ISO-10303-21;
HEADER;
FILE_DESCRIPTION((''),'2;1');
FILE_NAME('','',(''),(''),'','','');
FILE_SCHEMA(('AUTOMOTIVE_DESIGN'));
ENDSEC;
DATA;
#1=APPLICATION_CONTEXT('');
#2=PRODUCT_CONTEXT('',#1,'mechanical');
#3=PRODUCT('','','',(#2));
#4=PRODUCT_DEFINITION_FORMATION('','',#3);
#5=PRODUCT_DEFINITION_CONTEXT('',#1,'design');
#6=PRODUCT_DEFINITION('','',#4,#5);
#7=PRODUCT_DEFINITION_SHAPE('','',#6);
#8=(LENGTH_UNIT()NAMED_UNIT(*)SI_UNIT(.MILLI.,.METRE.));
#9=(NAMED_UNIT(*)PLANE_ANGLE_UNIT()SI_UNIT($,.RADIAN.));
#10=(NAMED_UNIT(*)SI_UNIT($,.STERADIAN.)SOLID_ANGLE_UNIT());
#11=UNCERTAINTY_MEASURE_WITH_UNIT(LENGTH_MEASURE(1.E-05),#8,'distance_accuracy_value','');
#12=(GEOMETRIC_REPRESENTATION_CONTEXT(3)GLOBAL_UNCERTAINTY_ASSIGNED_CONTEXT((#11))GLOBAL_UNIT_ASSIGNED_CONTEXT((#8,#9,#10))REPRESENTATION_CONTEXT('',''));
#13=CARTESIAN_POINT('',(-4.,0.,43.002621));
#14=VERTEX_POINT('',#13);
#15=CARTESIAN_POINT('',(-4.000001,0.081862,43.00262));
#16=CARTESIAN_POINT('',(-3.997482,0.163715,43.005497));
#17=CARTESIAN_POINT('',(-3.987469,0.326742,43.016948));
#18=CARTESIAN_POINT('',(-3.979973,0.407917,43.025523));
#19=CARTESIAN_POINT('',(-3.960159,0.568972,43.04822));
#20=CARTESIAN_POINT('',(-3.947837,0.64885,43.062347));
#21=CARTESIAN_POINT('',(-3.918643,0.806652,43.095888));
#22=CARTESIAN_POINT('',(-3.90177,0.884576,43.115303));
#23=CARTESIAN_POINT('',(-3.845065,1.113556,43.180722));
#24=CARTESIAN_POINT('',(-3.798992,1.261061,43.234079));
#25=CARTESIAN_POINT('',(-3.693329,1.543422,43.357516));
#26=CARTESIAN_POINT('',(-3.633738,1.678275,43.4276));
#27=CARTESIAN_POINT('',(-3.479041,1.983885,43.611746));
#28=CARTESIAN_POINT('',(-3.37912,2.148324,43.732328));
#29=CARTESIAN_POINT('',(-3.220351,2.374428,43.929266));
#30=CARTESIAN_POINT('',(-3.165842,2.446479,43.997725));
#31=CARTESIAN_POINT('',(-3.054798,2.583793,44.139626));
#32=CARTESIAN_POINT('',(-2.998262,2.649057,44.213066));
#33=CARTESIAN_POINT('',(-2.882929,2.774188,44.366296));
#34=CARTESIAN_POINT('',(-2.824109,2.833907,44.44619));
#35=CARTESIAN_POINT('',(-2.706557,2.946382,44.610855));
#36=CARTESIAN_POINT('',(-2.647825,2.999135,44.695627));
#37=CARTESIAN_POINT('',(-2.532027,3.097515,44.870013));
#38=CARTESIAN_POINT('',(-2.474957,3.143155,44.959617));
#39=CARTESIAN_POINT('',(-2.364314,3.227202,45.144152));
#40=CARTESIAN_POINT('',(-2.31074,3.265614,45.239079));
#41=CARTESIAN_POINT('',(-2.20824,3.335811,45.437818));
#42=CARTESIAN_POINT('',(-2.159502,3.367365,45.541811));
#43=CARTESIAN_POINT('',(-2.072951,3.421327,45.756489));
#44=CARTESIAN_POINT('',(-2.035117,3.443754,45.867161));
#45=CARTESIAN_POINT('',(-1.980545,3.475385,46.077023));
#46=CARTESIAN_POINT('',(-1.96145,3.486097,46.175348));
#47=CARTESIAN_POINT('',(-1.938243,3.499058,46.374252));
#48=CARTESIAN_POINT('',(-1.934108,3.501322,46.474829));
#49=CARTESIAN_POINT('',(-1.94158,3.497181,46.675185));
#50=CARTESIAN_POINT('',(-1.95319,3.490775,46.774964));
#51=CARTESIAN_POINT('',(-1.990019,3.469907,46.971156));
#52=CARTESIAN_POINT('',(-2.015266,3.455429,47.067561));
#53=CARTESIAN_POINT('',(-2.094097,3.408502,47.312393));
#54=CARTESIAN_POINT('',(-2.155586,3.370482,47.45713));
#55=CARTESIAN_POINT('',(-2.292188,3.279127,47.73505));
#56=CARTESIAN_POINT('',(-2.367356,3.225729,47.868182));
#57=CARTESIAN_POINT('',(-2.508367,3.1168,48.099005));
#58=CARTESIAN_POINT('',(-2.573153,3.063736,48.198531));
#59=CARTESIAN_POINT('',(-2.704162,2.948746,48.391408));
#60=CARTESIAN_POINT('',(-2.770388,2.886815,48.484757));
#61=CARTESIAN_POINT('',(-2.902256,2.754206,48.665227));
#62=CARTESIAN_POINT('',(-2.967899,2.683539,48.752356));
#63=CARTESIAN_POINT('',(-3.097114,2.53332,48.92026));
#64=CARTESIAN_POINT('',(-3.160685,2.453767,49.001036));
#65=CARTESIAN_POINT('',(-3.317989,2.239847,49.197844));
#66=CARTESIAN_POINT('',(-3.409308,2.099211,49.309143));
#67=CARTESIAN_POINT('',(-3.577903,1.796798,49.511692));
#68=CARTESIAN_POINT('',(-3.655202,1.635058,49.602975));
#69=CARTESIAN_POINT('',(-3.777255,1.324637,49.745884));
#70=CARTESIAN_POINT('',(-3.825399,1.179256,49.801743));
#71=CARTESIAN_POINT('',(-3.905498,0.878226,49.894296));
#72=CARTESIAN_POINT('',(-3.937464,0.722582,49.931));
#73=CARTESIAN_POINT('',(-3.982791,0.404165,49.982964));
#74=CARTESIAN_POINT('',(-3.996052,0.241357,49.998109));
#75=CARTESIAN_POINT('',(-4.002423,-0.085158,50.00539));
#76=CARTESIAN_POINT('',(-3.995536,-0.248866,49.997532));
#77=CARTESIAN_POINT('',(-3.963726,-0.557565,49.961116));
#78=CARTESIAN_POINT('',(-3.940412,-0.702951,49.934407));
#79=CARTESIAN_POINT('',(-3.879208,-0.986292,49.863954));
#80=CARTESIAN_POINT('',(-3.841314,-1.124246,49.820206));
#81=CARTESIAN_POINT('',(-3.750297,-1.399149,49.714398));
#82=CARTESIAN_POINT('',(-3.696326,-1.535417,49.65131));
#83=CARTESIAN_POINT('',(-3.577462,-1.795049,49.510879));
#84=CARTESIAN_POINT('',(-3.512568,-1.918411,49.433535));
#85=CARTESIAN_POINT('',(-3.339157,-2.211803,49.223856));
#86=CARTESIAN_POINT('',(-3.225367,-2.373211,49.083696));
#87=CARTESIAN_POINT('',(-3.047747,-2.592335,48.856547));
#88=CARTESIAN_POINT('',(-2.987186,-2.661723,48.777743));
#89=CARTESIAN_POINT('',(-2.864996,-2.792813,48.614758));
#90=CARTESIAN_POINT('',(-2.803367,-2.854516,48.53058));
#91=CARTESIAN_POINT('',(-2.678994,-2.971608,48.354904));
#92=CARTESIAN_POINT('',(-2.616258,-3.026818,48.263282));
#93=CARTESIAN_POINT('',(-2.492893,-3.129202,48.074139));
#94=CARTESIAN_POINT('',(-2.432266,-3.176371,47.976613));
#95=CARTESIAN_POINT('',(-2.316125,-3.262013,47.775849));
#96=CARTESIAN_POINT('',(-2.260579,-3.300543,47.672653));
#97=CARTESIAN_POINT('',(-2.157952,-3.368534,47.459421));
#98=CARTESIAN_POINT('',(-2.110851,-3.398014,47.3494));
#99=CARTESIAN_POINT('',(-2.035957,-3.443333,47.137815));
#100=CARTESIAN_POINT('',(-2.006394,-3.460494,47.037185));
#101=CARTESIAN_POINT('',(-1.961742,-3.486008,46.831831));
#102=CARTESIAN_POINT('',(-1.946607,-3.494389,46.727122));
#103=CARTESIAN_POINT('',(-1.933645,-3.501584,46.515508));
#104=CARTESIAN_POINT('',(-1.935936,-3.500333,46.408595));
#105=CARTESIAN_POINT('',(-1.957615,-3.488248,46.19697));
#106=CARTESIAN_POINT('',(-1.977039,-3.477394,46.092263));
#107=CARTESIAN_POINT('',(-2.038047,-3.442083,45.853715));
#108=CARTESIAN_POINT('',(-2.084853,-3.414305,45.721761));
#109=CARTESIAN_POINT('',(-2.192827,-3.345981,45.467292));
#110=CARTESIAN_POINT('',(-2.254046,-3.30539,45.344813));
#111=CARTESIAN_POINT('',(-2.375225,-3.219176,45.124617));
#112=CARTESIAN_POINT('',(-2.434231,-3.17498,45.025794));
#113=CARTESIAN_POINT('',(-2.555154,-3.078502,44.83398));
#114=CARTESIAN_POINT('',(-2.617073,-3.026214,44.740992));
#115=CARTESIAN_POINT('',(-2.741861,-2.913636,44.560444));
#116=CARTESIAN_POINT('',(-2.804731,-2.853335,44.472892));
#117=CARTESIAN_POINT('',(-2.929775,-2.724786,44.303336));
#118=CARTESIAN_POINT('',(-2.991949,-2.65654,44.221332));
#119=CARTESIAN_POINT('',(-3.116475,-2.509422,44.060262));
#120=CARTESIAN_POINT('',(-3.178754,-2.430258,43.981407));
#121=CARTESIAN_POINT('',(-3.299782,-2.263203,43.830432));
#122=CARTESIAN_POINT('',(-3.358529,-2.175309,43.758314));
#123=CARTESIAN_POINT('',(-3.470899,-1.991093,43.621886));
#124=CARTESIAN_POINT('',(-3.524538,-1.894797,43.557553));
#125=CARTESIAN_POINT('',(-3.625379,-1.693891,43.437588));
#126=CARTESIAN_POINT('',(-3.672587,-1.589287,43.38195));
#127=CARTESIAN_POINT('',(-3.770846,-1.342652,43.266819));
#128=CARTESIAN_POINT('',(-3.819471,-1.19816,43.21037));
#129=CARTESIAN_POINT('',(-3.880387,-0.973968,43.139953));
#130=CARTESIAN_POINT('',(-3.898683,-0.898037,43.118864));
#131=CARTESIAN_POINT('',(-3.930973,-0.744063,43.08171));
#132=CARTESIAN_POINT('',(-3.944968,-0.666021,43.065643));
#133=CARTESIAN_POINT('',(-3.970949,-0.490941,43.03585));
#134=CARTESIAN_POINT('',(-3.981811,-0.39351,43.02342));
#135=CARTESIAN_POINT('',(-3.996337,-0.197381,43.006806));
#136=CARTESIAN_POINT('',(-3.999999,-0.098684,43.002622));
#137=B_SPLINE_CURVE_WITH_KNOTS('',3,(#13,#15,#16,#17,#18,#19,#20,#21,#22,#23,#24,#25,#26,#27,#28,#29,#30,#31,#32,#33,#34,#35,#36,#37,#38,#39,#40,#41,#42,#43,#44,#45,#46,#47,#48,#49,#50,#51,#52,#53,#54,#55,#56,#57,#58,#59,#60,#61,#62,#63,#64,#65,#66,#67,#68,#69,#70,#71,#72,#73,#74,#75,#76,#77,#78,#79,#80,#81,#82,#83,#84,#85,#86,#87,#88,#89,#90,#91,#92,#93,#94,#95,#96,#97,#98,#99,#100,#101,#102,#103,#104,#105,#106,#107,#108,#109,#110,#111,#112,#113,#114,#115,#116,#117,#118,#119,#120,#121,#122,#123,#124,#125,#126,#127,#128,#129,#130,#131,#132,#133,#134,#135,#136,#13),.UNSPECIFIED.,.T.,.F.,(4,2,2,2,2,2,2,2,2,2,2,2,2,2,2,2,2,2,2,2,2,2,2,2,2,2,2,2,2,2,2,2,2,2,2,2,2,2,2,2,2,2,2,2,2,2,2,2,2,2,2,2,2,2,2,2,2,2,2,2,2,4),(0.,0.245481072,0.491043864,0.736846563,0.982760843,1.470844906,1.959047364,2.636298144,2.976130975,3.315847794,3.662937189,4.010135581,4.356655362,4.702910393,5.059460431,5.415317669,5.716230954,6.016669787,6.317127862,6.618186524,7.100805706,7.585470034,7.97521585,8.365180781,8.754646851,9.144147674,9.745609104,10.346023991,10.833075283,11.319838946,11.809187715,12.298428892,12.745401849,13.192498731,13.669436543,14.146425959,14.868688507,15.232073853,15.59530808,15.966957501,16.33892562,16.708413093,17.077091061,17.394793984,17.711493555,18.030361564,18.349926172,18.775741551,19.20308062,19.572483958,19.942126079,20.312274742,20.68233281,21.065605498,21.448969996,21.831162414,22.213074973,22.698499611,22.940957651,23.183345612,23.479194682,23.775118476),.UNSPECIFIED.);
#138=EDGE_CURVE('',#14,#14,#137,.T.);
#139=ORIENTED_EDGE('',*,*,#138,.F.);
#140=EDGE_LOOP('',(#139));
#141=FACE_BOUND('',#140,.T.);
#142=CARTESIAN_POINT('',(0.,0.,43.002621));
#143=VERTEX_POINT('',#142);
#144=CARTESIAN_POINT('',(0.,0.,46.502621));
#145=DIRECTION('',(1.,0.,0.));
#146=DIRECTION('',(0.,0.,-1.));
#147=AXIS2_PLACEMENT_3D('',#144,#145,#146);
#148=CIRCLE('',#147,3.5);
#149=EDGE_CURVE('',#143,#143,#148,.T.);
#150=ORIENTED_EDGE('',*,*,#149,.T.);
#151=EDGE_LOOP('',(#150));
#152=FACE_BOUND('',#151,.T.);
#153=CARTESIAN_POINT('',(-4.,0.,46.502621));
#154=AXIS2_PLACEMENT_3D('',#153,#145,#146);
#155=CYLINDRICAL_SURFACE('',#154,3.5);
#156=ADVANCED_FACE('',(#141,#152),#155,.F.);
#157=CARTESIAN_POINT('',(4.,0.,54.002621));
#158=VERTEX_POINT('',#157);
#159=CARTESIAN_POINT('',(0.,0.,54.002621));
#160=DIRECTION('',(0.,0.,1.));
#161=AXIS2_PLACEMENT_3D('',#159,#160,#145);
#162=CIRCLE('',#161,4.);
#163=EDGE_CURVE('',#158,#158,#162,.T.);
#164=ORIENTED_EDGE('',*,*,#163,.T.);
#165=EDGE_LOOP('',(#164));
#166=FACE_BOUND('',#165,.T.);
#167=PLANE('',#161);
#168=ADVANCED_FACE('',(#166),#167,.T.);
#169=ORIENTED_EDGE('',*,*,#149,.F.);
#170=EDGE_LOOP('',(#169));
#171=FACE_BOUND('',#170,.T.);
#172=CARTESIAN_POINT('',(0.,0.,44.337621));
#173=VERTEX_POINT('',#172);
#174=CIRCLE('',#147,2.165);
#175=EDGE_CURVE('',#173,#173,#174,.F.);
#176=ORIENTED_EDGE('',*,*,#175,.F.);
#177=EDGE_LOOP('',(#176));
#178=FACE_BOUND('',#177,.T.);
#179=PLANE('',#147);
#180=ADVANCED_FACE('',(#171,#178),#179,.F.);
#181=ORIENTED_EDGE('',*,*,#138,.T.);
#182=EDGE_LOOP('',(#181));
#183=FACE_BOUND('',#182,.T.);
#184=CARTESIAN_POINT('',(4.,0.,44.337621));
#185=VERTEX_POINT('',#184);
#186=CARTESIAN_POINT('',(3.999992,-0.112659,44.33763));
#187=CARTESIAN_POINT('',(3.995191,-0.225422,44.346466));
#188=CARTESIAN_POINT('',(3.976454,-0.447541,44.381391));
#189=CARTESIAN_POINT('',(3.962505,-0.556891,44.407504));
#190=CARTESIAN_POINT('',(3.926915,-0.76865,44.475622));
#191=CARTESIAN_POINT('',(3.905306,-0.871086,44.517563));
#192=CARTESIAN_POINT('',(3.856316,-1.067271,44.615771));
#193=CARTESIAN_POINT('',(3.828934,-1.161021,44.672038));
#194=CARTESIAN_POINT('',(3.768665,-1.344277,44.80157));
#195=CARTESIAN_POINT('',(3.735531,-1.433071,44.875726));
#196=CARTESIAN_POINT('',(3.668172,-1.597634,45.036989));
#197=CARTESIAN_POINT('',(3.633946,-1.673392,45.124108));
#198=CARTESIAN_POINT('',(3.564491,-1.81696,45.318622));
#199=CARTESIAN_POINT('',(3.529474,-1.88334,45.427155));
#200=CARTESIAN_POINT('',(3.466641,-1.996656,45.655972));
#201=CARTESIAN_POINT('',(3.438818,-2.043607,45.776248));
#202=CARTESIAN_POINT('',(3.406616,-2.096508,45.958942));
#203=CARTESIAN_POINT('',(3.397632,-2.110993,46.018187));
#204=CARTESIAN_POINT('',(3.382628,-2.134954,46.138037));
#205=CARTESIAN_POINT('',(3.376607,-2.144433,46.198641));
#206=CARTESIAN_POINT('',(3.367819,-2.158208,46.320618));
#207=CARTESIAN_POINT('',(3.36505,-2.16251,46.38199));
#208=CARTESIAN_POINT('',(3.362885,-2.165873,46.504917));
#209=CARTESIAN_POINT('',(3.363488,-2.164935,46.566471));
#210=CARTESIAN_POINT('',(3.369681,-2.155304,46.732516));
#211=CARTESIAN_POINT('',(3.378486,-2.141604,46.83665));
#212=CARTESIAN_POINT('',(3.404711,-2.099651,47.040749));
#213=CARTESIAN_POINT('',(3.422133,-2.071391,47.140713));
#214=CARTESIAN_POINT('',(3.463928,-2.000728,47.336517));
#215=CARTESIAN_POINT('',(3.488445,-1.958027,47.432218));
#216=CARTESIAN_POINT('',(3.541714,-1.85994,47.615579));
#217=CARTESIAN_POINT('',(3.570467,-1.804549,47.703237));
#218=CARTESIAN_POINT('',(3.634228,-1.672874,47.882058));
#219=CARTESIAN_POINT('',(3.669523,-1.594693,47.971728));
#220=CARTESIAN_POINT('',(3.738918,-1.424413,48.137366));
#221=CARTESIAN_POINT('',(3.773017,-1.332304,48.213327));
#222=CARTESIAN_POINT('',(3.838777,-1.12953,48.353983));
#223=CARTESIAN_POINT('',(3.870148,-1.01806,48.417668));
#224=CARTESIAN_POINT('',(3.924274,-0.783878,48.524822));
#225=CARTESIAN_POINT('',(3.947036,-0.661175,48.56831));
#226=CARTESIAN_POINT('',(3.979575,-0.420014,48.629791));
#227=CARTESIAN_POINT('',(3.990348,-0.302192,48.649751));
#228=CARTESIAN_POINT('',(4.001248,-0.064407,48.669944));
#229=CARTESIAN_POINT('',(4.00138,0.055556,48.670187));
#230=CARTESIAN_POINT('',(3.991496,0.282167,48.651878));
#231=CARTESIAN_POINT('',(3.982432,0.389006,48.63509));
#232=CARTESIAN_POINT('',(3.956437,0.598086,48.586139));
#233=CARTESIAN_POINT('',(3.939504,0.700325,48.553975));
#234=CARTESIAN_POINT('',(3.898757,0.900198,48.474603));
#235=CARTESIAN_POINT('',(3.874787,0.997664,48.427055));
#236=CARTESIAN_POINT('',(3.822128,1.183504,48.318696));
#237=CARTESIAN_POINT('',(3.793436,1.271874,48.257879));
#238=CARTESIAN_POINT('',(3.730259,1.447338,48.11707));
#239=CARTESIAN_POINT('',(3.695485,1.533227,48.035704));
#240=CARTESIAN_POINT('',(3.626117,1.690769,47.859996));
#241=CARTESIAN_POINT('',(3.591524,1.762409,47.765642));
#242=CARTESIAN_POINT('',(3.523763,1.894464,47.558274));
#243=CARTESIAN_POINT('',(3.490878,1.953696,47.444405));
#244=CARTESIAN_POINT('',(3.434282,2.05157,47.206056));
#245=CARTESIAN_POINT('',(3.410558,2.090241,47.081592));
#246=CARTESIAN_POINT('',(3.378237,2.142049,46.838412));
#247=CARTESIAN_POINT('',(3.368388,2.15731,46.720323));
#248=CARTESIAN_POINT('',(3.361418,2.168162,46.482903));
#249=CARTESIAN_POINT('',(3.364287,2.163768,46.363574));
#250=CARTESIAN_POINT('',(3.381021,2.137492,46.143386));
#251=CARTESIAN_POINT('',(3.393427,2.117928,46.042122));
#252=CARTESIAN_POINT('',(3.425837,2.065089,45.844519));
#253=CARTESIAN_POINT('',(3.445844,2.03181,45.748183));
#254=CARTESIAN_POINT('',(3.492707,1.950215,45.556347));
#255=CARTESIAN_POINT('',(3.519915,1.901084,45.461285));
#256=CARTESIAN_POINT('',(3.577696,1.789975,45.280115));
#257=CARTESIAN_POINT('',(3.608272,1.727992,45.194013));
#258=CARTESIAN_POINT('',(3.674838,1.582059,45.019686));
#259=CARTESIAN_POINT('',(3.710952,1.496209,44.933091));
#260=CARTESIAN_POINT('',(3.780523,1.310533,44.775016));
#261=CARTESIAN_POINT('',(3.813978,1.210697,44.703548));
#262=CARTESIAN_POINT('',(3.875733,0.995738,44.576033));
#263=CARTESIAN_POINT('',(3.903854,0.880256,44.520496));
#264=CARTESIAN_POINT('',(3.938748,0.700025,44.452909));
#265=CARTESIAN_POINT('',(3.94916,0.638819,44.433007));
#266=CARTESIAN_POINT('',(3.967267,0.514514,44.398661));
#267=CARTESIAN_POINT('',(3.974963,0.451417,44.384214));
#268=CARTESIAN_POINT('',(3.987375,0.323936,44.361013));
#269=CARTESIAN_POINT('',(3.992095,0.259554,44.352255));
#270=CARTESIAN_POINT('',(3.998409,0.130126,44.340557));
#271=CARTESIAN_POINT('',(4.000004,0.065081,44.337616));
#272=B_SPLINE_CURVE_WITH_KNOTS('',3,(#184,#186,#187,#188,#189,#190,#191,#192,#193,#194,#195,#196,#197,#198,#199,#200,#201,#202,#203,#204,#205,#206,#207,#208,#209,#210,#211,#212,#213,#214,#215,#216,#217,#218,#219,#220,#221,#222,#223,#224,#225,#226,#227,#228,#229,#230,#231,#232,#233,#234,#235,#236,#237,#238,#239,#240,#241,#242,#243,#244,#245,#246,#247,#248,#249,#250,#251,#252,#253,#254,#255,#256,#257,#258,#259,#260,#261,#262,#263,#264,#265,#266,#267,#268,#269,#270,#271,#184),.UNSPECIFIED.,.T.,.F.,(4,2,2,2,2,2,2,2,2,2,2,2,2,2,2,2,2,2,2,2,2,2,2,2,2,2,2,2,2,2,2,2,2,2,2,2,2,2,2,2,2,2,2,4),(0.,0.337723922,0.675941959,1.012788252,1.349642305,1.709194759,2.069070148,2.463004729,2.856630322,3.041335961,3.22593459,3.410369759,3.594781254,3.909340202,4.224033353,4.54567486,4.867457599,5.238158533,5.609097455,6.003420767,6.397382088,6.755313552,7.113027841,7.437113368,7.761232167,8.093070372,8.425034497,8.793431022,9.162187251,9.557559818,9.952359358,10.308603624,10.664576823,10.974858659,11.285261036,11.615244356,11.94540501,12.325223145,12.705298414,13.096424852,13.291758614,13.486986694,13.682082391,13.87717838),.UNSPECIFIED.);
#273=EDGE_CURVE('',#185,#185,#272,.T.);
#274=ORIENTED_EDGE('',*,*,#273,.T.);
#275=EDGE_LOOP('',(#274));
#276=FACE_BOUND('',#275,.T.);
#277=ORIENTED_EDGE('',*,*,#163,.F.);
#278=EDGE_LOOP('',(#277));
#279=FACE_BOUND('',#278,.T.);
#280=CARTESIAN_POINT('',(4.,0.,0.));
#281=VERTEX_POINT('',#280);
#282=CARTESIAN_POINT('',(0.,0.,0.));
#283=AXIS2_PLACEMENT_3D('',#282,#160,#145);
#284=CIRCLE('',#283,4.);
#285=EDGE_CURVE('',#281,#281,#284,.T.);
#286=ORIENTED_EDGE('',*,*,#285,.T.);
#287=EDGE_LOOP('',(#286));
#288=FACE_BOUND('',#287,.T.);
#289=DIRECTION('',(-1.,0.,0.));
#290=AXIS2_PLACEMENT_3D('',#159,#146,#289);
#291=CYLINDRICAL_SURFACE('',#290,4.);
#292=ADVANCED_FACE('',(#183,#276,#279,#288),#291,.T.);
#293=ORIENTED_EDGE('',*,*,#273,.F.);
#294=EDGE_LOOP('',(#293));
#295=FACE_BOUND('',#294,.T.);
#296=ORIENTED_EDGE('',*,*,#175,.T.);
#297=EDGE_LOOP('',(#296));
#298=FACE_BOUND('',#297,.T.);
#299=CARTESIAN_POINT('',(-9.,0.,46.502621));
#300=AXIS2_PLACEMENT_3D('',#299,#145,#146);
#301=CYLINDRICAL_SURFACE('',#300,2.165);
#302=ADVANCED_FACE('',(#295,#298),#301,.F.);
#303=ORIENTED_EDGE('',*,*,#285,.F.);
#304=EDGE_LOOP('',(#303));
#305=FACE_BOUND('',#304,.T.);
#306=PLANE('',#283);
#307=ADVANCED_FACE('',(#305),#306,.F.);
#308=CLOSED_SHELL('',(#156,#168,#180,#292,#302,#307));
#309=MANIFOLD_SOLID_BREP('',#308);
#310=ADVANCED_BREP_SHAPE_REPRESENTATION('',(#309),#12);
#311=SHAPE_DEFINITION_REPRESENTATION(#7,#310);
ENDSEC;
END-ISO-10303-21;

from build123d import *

# Parameters (mm, degrees)
SKETCH1_R           = 4
BOSS_EXTRUDE1_DEPTH = 54.002621
SKETCH2_R           = 2.165
CUT_EXTRUDE1_DEPTH  = 9
SKETCH4_R           = 3.5
CUT_EXTRUDE2_DEPTH  = 55.298094693


with BuildPart() as part:
    # Sketch1 → Boss-Extrude1 (new body)
    with BuildSketch(Plane.XY):
        Circle(SKETCH1_R)
    extrude(amount=BOSS_EXTRUDE1_DEPTH)

    # Sketch2 → Cut-Extrude1 (cut, symmetric)
    with BuildSketch(Plane(origin=(0, 0, 0), x_dir=(0, 0, -1), z_dir=(1, 0, 0))):
        with Locations(Location((-46.502621, 0, 0), (0, 0, 180))):
            Circle(SKETCH2_R)
    extrude(amount=CUT_EXTRUDE1_DEPTH, both=True, mode=Mode.SUBTRACT)

    # Sketch4 → Cut-Extrude2 (cut, through all)
    with BuildSketch(Plane(origin=(0, 0, 0), x_dir=(0, 0, -1), z_dir=(1, 0, 0))):
        with Locations((-46.502621, 0)):
            Circle(SKETCH4_R)
    extrude(amount=-CUT_EXTRUDE2_DEPTH, mode=Mode.SUBTRACT)


solid = part.part
